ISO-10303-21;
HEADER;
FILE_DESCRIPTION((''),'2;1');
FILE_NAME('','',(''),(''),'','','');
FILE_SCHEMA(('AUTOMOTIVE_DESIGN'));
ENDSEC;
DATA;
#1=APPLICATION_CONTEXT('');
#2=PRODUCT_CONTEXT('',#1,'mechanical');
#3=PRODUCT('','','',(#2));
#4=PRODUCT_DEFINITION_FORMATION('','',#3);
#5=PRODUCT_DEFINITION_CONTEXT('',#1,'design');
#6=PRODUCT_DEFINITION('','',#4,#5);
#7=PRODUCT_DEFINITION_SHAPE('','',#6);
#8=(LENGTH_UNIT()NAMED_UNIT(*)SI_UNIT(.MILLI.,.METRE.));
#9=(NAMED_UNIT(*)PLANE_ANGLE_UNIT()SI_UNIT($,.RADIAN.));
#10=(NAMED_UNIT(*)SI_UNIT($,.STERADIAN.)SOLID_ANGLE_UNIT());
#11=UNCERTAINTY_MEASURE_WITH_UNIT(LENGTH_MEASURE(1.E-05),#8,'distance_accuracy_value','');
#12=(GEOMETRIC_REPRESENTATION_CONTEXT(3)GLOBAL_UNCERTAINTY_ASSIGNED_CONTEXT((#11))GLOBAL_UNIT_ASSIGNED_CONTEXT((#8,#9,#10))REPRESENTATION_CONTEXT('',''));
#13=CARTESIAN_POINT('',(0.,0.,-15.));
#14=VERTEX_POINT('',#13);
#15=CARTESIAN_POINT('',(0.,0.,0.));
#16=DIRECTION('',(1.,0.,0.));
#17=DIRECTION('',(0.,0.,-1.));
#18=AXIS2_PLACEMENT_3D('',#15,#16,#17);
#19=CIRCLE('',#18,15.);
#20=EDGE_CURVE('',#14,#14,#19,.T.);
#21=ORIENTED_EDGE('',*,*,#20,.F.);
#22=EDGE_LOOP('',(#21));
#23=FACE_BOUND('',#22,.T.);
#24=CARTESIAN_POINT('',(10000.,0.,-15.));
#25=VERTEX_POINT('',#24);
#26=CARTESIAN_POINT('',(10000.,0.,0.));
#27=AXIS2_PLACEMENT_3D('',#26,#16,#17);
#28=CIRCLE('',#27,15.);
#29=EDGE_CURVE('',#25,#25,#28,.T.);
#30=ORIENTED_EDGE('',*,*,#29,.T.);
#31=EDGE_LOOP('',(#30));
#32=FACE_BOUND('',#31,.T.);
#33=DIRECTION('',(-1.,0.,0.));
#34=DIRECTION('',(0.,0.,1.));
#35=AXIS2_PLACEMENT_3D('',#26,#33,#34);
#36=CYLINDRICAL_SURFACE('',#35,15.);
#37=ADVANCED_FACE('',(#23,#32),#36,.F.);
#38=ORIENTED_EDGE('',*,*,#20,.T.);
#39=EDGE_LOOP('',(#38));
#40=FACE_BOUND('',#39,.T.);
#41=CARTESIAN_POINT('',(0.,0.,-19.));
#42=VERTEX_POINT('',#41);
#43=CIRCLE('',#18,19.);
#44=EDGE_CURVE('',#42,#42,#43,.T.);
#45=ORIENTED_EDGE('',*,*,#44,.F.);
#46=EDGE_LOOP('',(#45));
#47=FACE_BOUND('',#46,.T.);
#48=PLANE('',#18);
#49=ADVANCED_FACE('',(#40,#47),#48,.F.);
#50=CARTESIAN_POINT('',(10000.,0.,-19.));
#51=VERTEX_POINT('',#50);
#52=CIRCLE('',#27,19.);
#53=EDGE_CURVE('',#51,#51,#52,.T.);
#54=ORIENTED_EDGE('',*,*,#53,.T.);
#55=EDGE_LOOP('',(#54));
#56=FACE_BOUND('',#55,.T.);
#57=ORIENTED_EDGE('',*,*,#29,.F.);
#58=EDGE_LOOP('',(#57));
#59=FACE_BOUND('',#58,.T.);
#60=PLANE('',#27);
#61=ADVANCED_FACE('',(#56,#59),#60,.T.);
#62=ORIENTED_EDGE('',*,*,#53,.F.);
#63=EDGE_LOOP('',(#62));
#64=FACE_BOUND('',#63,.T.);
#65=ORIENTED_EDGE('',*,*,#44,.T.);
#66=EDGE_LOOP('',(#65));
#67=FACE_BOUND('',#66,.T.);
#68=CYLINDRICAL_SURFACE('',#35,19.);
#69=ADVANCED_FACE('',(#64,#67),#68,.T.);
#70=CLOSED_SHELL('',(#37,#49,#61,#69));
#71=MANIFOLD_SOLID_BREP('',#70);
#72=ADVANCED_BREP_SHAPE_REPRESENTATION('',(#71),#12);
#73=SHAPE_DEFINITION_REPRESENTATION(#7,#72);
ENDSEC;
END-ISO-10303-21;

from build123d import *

# Parameters (mm, degrees)
CROQUIS1_R              = 19
CROQUIS1_R_2            = 15
SALIENTE_EXTRUIR1_DEPTH = 10000


with BuildPart() as part:
    # Croquis1 → Saliente-Extruir1 (new body)
    with BuildSketch(Plane(origin=(0, 0, 0), x_dir=(0, 0, -1), z_dir=(1, 0, 0))):
        Circle(CROQUIS1_R)
        Circle(CROQUIS1_R_2, mode=Mode.SUBTRACT)
    extrude(amount=SALIENTE_EXTRUIR1_DEPTH)


solid = part.part
